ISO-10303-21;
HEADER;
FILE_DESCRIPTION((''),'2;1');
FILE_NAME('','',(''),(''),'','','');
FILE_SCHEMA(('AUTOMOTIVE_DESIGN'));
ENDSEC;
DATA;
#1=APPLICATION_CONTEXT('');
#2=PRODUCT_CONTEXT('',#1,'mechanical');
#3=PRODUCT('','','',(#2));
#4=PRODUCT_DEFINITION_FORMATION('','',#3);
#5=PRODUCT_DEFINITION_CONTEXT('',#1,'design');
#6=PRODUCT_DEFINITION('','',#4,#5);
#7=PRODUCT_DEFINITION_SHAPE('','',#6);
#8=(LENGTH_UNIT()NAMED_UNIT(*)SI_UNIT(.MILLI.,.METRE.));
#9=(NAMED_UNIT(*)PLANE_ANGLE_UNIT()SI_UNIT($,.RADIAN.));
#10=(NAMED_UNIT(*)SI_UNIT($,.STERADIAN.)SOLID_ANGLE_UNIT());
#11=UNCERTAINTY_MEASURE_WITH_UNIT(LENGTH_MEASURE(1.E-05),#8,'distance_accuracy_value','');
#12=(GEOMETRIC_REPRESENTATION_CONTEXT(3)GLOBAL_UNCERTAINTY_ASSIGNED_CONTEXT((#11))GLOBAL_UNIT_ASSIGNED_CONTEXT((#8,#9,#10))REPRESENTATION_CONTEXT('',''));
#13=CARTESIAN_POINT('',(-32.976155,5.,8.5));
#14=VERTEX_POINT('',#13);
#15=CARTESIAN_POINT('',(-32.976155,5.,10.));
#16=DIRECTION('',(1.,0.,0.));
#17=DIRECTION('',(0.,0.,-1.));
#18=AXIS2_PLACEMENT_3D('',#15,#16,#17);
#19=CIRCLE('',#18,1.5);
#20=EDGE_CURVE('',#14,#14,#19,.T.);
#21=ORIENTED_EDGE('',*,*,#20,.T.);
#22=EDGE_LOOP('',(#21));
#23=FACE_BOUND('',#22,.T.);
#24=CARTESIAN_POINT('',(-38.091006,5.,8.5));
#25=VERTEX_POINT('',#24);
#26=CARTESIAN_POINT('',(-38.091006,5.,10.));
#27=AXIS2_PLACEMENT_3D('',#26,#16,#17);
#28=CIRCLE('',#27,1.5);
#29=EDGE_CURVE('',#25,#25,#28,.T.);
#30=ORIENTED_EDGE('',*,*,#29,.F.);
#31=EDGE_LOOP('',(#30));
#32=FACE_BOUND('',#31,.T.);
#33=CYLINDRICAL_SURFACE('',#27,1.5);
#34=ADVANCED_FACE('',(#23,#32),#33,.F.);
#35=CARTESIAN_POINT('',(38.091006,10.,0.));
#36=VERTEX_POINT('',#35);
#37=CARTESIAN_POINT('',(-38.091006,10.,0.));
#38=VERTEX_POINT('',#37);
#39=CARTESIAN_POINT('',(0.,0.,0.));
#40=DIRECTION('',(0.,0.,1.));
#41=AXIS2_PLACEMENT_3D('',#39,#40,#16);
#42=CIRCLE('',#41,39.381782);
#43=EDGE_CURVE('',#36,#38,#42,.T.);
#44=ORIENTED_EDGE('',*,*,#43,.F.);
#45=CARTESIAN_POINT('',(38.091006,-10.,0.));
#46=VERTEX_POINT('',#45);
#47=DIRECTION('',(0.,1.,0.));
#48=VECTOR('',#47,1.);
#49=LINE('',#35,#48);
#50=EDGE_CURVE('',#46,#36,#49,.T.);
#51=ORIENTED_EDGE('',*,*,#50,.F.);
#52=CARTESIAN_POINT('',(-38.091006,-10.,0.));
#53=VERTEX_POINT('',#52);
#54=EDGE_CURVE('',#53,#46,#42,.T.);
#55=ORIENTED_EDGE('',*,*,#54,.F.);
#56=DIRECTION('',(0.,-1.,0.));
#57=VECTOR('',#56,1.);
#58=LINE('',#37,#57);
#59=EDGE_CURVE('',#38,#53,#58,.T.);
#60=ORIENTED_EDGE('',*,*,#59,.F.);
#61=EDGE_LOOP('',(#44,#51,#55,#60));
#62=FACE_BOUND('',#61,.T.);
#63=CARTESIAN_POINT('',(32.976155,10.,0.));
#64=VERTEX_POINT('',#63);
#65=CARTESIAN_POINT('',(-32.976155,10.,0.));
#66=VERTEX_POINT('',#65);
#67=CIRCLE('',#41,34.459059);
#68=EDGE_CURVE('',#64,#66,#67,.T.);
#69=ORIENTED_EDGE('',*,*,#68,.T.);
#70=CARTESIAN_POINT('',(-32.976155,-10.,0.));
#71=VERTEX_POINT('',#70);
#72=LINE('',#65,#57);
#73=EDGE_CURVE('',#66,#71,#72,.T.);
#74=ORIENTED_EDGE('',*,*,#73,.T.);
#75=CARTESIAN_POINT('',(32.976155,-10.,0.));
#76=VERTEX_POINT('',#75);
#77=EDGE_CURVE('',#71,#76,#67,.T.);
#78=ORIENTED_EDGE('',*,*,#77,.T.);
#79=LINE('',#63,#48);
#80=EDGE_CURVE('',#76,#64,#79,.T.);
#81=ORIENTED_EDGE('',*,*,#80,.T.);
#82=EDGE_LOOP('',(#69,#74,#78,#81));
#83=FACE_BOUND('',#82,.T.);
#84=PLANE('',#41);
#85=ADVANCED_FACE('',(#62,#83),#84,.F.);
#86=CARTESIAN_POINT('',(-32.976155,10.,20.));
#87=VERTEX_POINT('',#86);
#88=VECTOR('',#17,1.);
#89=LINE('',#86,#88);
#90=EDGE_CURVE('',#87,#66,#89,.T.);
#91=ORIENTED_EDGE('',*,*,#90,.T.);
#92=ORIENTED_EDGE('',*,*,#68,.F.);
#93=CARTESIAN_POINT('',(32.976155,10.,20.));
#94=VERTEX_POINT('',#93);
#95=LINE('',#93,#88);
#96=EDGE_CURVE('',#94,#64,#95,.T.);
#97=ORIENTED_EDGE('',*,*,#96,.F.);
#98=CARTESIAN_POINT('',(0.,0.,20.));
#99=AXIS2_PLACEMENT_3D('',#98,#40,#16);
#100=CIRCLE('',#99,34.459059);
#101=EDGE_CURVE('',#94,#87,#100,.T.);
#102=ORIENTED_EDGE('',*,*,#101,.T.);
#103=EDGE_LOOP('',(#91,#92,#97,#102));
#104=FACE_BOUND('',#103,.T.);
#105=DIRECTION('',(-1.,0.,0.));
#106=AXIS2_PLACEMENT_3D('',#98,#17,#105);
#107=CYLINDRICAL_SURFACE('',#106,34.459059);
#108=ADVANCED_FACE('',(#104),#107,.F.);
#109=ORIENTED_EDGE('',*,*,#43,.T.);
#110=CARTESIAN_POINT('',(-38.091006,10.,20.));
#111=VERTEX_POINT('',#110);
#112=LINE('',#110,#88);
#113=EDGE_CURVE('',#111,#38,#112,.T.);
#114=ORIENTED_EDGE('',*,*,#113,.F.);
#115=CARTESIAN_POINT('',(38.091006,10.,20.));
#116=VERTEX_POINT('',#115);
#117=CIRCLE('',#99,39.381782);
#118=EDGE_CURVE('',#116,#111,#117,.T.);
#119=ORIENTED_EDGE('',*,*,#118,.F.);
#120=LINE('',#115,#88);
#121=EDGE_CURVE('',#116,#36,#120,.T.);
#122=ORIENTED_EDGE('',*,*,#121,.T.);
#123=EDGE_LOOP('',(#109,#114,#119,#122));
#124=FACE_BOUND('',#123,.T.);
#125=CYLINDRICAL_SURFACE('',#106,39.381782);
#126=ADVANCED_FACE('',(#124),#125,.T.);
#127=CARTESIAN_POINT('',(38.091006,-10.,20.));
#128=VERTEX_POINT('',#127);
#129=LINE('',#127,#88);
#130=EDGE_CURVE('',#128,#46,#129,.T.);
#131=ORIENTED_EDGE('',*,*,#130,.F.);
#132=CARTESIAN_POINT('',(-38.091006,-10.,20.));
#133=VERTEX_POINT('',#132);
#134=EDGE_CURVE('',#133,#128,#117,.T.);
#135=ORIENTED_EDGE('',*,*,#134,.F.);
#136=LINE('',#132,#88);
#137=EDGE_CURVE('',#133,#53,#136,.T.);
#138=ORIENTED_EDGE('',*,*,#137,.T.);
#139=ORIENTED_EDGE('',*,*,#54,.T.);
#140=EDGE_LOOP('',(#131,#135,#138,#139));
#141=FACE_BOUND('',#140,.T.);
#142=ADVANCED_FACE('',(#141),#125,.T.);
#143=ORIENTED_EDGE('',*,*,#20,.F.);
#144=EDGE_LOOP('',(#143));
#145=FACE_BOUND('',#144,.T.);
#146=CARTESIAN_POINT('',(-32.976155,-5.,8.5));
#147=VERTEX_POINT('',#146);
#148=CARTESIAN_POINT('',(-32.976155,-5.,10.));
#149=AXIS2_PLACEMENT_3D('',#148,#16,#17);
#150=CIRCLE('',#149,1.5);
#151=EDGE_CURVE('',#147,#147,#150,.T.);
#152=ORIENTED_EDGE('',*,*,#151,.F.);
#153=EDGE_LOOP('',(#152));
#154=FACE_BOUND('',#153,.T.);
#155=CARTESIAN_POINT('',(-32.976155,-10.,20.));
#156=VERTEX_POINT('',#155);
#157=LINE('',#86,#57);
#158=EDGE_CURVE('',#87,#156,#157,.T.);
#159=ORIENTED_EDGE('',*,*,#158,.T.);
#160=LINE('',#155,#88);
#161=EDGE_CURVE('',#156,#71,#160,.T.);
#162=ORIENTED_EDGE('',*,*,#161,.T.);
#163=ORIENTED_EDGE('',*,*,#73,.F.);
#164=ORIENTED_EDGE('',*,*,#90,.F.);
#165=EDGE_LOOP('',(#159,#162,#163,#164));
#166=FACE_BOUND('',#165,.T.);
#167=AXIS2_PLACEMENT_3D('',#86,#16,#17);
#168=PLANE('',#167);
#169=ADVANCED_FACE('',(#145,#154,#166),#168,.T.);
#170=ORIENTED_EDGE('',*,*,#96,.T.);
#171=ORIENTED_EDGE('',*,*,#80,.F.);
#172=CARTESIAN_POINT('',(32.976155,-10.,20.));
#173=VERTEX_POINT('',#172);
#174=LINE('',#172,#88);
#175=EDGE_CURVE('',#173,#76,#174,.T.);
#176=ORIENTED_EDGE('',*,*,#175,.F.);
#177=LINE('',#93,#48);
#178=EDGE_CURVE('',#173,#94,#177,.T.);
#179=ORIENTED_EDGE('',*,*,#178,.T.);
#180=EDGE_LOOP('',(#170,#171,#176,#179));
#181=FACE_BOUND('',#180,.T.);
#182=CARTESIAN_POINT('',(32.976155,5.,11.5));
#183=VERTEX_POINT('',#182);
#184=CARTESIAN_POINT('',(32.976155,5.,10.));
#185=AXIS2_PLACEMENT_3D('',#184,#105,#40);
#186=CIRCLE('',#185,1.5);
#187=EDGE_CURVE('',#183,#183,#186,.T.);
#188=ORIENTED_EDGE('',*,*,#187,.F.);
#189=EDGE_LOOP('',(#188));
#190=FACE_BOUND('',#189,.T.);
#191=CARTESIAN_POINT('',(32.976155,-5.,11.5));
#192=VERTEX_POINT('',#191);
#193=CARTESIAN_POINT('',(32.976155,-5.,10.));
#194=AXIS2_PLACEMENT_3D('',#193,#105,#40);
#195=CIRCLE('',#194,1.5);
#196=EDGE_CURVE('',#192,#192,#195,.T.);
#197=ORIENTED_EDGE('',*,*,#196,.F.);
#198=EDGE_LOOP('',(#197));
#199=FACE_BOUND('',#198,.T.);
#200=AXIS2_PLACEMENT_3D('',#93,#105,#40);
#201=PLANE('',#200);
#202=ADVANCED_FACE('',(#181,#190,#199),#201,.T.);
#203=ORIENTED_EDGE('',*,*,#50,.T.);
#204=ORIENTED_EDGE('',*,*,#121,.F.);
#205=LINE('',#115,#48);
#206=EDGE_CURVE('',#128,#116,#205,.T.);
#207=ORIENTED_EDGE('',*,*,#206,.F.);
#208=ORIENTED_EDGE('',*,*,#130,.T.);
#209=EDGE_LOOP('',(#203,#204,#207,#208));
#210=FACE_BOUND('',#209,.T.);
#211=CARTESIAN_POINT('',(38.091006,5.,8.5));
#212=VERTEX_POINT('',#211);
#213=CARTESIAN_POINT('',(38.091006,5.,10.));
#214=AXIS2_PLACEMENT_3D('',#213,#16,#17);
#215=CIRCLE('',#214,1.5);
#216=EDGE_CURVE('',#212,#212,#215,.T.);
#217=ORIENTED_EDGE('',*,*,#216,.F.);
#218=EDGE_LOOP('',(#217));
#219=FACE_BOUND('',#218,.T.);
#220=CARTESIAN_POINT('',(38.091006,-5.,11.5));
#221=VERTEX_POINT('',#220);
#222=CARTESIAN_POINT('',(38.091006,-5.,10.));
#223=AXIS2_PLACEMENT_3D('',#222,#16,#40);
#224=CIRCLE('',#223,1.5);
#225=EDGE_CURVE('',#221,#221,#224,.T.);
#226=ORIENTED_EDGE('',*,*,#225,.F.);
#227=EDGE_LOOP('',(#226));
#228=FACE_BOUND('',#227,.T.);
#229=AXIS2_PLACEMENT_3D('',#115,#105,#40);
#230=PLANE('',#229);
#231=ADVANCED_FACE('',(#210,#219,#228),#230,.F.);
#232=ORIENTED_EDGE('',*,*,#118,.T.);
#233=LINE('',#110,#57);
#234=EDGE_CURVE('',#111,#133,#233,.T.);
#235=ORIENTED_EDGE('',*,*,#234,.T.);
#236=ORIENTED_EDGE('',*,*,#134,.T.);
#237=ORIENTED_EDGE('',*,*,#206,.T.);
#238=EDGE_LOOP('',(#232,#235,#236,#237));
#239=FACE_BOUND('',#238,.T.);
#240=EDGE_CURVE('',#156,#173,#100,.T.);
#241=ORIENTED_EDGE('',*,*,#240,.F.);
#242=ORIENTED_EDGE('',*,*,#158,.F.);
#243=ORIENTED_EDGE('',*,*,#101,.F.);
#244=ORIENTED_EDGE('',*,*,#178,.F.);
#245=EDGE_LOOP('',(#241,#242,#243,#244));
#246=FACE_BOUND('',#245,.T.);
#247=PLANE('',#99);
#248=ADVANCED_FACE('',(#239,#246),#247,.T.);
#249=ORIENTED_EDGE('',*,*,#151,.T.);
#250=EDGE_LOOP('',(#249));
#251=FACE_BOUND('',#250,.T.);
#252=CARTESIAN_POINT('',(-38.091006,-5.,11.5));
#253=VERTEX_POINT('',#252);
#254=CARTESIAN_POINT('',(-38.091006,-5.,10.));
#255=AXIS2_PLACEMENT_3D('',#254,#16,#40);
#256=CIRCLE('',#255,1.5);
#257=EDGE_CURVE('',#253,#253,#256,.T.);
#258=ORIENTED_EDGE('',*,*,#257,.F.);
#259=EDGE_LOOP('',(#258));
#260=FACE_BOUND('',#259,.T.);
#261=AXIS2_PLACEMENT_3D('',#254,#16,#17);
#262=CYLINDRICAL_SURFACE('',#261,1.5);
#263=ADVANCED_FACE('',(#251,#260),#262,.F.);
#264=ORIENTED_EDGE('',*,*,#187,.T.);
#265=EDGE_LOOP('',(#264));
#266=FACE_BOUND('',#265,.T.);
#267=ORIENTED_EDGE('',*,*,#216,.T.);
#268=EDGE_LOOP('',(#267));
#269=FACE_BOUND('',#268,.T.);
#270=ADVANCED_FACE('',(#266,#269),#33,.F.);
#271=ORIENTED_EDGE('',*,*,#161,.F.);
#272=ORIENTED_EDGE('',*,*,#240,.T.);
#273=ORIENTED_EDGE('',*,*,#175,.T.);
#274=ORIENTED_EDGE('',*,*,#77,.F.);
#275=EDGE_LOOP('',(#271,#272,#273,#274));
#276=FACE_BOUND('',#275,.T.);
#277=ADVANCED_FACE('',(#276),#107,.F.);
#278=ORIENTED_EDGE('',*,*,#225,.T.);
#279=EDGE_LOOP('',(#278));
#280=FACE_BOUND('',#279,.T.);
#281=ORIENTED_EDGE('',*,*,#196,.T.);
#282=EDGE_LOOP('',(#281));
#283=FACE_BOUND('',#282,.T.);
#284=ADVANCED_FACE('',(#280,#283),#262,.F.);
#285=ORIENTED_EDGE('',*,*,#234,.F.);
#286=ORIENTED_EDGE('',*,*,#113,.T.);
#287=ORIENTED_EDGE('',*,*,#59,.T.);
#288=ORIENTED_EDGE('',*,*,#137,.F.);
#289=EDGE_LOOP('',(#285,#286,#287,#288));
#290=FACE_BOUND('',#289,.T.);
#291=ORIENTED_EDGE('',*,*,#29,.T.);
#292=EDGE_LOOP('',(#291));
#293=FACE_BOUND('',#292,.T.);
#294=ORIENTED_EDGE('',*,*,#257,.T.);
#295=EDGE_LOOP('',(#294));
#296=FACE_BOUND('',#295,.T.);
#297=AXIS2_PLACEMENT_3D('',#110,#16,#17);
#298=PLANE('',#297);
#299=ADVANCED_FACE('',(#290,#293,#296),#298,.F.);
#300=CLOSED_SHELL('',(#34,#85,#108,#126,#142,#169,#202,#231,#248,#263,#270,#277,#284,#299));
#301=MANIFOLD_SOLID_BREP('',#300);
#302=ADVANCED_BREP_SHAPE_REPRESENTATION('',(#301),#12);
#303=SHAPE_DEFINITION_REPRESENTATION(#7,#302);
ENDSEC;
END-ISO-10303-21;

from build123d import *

# Parameters (mm, degrees)
BOSS_EXTRUDE1_DEPTH = 20
SKETCH3_R           = 1.5
CUT_EXTRUDE2_DEPTH  = 77.182012842


with BuildPart() as part:
    # Sketch1 → Boss-Extrude1 (new body)
    with BuildSketch(Plane.XY):
        with BuildLine():
            Line((38.091006421, 10), (38.091006421, -10))
            ThreePointArc((38.091006421, -10), (0, -39.381782212), (-38.091006421, -10))
            Line((-38.091006421, -10), (-38.091006421, 10))
            ThreePointArc((-38.091006421, 10), (0, 39.381782212), (38.091006421, 10))
        make_face()
        with BuildLine():
            Line((-32.976154675, 10), (-32.976154675, -10))
            ThreePointArc((-32.976154675, -10), (0, -34.459059435), (32.976154675, -10))
            Line((32.976154675, -10), (32.976154675, 10))
            ThreePointArc((32.976154675, 10), (0, 34.459059435), (-32.976154675, 10))
        make_face(mode=Mode.SUBTRACT)
    extrude(amount=BOSS_EXTRUDE1_DEPTH)

    # Sketch3 → Cut-Extrude2 (cut, through all)
    with BuildSketch(Plane(origin=(38.091006421, 0, 0), x_dir=(0, 0, -1), z_dir=(1, 0, 0))):
        with Locations((-10, 5)):
            Circle(SKETCH3_R)
        with Locations((-10, -5)):
            Circle(SKETCH3_R)
    extrude(amount=-CUT_EXTRUDE2_DEPTH, mode=Mode.SUBTRACT)


solid = part.part
